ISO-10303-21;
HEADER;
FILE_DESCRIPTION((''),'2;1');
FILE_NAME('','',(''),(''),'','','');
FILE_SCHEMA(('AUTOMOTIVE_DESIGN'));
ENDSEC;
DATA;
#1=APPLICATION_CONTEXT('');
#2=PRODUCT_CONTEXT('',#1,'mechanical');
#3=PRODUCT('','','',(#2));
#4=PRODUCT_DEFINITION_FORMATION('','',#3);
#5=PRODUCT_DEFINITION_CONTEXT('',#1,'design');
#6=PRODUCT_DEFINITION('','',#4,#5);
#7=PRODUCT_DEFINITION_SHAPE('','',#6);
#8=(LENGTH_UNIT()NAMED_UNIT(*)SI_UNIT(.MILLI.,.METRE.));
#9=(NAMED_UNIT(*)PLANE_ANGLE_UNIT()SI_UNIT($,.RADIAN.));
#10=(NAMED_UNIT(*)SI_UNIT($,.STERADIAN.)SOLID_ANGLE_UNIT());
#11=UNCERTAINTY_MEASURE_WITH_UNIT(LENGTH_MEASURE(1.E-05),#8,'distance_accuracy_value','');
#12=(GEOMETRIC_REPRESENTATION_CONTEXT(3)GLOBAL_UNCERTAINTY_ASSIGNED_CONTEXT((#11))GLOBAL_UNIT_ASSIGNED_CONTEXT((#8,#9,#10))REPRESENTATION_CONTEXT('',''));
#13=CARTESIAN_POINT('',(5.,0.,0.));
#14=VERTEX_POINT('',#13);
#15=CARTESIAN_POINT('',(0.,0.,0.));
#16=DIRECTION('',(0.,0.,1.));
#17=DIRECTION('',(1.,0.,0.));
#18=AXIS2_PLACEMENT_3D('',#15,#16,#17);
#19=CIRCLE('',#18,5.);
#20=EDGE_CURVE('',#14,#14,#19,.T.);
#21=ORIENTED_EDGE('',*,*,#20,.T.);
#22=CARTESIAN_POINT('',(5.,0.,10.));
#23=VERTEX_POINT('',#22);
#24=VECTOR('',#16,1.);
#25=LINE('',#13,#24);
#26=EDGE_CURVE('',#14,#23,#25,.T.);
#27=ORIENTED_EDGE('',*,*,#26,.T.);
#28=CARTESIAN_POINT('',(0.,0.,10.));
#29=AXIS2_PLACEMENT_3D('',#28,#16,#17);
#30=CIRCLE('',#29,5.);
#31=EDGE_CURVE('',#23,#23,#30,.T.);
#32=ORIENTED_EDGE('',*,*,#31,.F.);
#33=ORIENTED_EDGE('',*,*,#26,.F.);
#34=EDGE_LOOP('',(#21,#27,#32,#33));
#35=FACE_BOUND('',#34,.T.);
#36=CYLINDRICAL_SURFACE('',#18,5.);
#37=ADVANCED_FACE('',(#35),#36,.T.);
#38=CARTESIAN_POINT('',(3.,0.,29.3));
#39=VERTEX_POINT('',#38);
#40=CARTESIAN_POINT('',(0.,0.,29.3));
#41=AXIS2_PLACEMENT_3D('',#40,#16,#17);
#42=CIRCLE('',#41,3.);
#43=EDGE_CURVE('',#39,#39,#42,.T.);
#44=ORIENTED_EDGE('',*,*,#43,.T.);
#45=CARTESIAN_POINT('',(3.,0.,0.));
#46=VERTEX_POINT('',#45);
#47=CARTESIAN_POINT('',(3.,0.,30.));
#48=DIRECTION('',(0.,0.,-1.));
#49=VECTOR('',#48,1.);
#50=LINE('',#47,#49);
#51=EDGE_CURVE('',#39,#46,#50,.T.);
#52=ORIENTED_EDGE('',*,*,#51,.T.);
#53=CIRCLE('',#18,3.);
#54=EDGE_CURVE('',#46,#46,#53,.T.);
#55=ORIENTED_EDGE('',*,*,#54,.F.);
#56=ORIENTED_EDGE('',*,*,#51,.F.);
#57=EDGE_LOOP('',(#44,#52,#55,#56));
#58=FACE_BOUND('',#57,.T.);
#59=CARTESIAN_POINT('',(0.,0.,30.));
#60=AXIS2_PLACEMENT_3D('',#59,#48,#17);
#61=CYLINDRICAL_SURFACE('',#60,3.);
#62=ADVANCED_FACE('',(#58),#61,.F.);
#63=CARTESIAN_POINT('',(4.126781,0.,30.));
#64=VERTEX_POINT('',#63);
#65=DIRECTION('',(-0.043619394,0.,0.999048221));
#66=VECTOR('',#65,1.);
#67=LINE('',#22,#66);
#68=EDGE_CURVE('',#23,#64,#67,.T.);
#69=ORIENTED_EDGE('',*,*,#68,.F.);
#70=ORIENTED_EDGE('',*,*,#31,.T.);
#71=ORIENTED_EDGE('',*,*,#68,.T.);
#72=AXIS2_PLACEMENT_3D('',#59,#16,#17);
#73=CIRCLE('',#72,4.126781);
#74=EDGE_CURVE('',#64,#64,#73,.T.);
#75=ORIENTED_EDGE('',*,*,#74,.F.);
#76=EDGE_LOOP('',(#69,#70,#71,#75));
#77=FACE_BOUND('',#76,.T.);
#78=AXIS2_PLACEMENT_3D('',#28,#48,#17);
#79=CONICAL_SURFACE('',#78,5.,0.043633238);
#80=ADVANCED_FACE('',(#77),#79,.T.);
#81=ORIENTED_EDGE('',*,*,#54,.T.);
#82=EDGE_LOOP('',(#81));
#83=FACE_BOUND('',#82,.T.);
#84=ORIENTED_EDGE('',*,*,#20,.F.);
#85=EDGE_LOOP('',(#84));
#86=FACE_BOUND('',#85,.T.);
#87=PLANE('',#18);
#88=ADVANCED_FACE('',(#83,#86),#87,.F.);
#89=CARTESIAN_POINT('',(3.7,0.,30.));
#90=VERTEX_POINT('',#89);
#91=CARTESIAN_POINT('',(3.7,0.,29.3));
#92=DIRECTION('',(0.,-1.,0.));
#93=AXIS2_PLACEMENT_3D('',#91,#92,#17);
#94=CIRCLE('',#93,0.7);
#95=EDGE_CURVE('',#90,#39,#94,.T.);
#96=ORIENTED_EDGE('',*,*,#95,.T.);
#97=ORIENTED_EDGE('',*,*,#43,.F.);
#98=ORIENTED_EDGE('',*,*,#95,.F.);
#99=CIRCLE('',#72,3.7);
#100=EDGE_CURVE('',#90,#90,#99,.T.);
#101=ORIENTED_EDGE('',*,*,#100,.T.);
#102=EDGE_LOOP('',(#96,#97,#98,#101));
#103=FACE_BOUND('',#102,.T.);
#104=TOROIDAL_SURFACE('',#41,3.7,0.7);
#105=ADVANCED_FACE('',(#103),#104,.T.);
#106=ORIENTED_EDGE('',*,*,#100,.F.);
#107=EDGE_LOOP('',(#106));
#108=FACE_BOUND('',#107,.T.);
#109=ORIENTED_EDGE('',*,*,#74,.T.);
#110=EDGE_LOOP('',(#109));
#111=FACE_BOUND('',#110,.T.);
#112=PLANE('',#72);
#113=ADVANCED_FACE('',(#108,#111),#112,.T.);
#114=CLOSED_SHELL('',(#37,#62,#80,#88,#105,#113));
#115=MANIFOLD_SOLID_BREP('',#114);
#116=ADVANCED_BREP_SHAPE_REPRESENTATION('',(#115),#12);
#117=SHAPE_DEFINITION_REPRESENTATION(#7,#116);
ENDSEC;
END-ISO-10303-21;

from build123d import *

# Parameters (mm, degrees)
F2_R = 0.7


with BuildPart() as f1:
    # F0 (on Front) → F1 (revolve)
    with BuildSketch(Plane.XZ):
        Polygon((3, 0), (5, 0), (5, 10), (4.126781, 30), (3, 30), align=None)
    revolve(axis=Axis((0, 0, 14.23695), (0, 0, 1)))

    # F2
    f2_edges = [f1.edges().sort_by_distance(p)[0] for p in [
        (-3, 0, 30),
    ]]
    fillet(f2_edges, radius=F2_R)


solid = f1.part
